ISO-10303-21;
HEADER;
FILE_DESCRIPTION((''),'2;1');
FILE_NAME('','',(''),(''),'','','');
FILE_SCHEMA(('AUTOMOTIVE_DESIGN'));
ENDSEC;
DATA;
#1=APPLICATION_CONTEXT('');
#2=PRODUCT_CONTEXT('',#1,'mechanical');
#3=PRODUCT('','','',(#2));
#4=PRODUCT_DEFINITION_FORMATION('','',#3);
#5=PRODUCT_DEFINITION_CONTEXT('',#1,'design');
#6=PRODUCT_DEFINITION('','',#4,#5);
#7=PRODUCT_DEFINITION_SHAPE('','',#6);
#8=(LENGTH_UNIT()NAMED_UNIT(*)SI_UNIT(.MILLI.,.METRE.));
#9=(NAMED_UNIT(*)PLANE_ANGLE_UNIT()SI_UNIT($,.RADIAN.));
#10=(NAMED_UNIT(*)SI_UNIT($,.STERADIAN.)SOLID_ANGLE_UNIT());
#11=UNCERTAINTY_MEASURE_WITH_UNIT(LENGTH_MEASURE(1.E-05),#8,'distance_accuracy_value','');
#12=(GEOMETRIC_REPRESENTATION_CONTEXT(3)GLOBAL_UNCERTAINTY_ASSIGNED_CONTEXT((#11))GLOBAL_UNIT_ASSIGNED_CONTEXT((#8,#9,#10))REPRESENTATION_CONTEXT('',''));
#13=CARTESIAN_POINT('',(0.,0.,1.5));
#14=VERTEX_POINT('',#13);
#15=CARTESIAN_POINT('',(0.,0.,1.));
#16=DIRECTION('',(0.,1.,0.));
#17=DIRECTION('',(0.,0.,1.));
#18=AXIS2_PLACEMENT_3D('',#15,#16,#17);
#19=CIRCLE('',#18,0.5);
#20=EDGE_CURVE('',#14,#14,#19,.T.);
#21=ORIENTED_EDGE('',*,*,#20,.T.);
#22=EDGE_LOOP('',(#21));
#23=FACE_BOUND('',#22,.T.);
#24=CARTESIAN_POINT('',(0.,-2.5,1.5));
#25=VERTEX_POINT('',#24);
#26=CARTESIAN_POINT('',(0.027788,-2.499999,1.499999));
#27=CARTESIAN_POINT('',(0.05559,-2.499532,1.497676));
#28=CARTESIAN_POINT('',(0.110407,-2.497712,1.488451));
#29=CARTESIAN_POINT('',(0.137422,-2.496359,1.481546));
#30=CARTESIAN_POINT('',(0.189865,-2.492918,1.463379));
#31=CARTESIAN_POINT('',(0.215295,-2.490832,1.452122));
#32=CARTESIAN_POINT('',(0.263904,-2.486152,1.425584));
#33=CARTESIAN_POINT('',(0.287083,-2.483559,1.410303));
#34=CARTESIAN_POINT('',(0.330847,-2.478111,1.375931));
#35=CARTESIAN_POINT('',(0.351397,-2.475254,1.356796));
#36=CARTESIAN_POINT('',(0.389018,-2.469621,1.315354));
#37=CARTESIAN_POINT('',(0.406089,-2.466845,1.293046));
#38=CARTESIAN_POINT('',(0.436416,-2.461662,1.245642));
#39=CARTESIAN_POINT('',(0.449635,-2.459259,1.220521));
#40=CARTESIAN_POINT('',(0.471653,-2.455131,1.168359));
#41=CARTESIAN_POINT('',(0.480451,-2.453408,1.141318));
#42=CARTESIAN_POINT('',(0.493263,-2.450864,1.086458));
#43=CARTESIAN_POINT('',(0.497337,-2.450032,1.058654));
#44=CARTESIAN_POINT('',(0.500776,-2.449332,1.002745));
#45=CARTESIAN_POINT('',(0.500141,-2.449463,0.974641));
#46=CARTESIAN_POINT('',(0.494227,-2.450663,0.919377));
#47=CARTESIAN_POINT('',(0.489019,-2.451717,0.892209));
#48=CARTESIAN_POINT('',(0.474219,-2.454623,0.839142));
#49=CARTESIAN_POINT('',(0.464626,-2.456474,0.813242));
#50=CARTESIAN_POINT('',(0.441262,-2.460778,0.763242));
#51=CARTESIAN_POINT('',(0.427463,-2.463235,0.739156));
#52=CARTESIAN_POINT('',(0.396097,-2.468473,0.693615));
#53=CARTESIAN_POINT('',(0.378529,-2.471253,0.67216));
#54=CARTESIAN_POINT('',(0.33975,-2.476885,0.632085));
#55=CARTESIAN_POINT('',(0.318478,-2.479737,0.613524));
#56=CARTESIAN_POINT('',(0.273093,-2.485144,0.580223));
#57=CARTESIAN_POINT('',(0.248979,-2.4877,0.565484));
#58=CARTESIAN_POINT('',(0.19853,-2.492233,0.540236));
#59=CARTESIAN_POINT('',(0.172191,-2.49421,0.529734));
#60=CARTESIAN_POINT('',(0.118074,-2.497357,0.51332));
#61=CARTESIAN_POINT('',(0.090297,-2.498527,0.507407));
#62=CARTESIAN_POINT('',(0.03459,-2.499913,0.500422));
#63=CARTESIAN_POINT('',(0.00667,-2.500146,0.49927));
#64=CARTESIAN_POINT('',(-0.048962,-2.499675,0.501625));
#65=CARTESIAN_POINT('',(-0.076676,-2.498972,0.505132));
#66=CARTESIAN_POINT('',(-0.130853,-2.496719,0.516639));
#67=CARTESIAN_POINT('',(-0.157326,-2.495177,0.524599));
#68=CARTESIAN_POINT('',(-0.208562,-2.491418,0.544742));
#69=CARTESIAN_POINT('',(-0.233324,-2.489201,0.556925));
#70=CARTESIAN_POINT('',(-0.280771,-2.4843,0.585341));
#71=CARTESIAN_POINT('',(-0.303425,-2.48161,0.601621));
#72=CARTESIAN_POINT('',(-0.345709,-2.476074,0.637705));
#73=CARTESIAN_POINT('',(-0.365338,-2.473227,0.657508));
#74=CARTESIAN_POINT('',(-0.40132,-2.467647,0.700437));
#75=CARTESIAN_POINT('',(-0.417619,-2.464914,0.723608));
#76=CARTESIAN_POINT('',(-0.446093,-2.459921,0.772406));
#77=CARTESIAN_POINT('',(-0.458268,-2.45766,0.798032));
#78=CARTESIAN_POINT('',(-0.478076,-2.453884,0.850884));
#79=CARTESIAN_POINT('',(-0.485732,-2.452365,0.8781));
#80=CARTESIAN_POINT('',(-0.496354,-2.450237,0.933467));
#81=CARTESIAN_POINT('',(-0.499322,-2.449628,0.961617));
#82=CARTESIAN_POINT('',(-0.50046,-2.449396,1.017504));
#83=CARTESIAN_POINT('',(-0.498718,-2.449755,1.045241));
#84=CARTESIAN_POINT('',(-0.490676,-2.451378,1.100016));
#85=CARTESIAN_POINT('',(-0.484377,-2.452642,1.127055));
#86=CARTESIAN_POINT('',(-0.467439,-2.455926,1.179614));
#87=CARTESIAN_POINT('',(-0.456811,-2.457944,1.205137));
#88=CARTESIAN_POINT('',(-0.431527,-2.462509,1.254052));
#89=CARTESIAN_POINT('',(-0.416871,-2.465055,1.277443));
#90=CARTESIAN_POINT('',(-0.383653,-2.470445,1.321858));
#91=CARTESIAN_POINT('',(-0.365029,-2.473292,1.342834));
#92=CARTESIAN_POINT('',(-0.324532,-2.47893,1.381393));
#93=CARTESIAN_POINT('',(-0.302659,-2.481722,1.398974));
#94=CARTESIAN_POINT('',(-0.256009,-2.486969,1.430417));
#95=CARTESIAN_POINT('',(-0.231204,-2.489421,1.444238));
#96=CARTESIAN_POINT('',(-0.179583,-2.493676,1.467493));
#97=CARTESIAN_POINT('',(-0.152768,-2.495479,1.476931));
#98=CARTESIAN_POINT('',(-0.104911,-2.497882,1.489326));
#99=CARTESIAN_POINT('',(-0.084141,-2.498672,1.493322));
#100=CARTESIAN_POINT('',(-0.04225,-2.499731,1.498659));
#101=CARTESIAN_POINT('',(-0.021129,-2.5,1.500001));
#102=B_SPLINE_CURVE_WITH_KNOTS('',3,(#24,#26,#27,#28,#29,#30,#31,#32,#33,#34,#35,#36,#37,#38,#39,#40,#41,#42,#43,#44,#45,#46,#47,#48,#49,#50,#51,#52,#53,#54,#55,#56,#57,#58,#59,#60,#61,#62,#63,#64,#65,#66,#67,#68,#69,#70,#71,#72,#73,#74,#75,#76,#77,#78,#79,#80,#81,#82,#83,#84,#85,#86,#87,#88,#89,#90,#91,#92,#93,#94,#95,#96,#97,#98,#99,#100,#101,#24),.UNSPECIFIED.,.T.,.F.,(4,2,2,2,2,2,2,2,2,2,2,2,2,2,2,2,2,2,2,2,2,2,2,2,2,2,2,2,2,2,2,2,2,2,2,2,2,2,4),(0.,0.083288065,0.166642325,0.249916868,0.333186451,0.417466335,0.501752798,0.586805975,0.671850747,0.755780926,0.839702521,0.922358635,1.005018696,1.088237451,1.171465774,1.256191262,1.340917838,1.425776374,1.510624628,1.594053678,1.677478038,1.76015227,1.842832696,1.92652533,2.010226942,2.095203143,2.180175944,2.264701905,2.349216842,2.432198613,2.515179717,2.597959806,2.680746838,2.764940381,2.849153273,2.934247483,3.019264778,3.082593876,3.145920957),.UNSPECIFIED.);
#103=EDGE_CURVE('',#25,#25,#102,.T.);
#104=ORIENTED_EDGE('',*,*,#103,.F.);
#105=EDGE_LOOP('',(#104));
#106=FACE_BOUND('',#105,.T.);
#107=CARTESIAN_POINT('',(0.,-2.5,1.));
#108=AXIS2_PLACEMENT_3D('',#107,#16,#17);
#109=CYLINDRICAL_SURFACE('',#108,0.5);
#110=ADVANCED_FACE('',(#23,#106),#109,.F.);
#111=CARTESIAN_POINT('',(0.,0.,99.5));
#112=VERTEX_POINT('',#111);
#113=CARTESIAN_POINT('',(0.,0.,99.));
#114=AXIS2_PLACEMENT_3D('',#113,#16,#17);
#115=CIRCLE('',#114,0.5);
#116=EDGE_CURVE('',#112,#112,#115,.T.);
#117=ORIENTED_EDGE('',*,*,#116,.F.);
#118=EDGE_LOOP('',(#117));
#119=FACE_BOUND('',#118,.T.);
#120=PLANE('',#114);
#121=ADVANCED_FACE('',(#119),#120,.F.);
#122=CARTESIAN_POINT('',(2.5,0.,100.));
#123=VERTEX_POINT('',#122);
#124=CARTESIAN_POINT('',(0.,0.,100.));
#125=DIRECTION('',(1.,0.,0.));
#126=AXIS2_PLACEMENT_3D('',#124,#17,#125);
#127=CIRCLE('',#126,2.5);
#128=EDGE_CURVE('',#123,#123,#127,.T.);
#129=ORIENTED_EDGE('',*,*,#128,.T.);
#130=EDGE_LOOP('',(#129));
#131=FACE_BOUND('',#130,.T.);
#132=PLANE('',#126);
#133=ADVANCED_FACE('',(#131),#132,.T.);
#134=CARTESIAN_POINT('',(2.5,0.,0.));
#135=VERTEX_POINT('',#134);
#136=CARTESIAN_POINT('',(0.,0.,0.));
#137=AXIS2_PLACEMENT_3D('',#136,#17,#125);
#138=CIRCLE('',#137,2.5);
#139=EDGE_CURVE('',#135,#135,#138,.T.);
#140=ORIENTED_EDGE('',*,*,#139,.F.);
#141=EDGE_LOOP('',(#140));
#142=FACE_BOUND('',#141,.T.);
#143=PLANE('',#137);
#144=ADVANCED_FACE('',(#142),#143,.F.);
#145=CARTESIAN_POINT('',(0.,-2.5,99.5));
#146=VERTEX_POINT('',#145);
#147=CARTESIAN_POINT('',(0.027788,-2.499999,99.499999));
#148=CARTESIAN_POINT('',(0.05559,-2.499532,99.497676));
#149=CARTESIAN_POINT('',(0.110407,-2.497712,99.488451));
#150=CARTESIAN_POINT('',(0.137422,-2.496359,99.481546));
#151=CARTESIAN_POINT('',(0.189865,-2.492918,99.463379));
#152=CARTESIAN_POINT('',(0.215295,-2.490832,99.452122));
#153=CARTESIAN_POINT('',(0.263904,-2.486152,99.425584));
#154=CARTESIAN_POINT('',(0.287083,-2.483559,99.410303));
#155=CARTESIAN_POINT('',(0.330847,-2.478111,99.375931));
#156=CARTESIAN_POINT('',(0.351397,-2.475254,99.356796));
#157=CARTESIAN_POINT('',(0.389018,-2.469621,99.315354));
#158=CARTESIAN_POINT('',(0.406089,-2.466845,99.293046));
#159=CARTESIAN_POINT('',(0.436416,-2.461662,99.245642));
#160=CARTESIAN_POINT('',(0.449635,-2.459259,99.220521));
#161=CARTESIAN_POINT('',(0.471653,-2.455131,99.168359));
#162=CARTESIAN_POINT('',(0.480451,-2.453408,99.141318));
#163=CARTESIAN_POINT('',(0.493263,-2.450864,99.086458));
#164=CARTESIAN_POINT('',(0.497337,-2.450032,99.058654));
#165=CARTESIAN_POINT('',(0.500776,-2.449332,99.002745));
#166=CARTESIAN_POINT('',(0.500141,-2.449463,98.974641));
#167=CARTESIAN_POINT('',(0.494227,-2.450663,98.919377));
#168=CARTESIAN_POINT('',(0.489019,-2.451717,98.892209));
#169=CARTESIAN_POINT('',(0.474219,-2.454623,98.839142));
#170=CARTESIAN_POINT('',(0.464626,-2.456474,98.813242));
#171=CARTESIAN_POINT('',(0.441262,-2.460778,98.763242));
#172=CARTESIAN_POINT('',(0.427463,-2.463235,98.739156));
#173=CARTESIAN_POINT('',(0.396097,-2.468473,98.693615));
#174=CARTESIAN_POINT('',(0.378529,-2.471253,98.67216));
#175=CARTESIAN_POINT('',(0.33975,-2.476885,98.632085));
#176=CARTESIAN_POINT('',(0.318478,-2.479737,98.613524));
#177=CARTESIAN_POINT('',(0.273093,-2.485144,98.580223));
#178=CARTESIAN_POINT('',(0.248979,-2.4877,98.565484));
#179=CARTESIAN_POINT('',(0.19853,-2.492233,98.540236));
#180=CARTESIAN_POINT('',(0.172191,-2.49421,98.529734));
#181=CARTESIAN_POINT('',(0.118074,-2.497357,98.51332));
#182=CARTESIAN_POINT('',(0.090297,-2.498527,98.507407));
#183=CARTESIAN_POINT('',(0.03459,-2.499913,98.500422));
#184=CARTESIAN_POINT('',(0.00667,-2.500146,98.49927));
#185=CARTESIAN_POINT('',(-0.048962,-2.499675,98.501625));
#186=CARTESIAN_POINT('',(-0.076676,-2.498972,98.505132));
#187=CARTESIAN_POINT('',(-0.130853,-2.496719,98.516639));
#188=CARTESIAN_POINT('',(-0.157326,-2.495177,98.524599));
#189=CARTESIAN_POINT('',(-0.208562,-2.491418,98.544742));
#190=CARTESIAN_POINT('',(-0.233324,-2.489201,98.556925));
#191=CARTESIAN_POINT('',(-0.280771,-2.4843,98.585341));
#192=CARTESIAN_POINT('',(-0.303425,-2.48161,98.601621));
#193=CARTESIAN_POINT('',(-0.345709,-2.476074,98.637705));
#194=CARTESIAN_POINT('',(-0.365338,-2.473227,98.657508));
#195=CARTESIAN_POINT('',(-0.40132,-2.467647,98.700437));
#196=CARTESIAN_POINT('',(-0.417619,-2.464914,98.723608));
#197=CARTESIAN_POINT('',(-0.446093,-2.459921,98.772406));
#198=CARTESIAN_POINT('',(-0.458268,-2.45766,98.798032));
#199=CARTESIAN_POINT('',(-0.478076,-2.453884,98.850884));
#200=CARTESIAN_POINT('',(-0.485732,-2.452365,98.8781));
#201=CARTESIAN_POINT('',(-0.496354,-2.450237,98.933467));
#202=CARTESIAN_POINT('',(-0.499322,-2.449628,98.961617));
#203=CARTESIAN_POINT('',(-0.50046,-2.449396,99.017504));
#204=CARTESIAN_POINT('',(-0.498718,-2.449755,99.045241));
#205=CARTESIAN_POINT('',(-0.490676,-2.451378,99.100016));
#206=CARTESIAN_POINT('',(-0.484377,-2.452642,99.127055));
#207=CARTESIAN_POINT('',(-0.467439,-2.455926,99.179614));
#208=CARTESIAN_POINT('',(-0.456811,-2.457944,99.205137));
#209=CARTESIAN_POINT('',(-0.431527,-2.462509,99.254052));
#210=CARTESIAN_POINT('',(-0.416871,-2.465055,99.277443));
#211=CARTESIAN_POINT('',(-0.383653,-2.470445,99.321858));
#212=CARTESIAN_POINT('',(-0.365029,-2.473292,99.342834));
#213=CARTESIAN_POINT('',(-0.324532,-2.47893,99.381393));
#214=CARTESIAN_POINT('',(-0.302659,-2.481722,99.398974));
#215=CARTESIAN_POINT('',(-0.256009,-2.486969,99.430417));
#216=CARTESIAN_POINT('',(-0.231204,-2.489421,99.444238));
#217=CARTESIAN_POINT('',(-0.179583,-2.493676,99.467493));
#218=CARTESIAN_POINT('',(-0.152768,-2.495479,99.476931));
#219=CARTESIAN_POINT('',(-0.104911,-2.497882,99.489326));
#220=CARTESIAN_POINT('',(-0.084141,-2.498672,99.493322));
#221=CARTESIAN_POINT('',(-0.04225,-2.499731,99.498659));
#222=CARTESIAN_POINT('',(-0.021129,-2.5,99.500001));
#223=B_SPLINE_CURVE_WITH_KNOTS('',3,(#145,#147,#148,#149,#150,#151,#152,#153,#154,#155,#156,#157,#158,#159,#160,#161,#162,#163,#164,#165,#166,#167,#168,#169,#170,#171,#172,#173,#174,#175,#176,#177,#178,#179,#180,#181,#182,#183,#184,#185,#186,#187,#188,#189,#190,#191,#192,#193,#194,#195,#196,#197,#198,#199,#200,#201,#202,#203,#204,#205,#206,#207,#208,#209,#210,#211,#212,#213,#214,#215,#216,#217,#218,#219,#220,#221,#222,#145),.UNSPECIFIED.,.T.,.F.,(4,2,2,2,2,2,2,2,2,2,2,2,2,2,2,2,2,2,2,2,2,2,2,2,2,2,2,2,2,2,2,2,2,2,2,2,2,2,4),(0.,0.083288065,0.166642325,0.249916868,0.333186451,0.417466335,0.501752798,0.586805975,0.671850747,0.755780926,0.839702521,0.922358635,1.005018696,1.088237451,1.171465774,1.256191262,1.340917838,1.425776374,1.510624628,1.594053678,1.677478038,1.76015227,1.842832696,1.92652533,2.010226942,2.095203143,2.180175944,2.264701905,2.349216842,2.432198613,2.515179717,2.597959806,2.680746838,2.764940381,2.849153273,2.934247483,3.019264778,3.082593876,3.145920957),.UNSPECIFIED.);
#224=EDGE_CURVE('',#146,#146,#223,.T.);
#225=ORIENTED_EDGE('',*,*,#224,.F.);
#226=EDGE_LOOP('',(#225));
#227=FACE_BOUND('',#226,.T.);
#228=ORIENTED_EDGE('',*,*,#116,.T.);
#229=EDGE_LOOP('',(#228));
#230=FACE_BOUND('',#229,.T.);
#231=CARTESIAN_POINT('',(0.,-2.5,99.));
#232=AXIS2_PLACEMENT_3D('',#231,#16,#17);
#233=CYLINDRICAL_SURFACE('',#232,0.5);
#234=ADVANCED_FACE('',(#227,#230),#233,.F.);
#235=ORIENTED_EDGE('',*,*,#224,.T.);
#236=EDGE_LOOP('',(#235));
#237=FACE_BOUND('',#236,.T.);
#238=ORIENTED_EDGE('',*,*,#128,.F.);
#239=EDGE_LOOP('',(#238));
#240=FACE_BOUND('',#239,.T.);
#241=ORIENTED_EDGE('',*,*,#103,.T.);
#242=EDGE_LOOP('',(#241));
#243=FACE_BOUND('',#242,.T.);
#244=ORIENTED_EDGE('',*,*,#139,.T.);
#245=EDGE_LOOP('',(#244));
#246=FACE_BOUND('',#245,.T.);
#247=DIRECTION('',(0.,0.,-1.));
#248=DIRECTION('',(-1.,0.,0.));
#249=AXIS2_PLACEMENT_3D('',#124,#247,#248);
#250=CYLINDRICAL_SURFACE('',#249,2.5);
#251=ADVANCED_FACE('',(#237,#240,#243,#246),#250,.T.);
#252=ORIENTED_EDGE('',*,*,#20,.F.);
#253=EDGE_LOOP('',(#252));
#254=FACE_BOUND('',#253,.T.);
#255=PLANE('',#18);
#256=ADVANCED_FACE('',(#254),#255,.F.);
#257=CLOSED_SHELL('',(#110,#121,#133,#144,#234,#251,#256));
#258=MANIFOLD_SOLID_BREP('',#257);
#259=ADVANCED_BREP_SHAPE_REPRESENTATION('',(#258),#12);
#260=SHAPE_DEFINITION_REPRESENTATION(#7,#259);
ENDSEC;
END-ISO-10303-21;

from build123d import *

# Parameters (mm, degrees)
SCHIZZO1_R                   = 2.5
ESTRUSIONE_ESTRUSIONE1_DEPTH = 100
SCHIZZO2_R                   = 0.5
TAGLIO_ESTRUSIONE1_DEPTH     = 3.5
SCHIZZO3_R                   = 0.5
TAGLIO_ESTRUSIONE2_DEPTH     = 3.5000001


with BuildPart() as part:
    # Schizzo1 → Estrusione-Estrusione1 (new body)
    with BuildSketch(Plane.XY):
        Circle(SCHIZZO1_R)
    extrude(amount=ESTRUSIONE_ESTRUSIONE1_DEPTH)

    # Schizzo2 → Taglio-Estrusione1 (cut, through all)
    with BuildSketch(Plane(origin=(0, 0, 0), x_dir=(1, 0, 0), z_dir=(0, 1, 0))):
        with Locations((0, -1)):
            Circle(SCHIZZO2_R)
    extrude(amount=-TAGLIO_ESTRUSIONE1_DEPTH, mode=Mode.SUBTRACT)

    # Schizzo3 → Taglio-Estrusione2 (cut, through all)
    with BuildSketch(Plane(origin=(0, 0, 0), x_dir=(1, 0, 0), z_dir=(0, 1, 0))):
        with Locations((0, -99)):
            Circle(SCHIZZO3_R)
    extrude(amount=-TAGLIO_ESTRUSIONE2_DEPTH, mode=Mode.SUBTRACT)


solid = part.part
